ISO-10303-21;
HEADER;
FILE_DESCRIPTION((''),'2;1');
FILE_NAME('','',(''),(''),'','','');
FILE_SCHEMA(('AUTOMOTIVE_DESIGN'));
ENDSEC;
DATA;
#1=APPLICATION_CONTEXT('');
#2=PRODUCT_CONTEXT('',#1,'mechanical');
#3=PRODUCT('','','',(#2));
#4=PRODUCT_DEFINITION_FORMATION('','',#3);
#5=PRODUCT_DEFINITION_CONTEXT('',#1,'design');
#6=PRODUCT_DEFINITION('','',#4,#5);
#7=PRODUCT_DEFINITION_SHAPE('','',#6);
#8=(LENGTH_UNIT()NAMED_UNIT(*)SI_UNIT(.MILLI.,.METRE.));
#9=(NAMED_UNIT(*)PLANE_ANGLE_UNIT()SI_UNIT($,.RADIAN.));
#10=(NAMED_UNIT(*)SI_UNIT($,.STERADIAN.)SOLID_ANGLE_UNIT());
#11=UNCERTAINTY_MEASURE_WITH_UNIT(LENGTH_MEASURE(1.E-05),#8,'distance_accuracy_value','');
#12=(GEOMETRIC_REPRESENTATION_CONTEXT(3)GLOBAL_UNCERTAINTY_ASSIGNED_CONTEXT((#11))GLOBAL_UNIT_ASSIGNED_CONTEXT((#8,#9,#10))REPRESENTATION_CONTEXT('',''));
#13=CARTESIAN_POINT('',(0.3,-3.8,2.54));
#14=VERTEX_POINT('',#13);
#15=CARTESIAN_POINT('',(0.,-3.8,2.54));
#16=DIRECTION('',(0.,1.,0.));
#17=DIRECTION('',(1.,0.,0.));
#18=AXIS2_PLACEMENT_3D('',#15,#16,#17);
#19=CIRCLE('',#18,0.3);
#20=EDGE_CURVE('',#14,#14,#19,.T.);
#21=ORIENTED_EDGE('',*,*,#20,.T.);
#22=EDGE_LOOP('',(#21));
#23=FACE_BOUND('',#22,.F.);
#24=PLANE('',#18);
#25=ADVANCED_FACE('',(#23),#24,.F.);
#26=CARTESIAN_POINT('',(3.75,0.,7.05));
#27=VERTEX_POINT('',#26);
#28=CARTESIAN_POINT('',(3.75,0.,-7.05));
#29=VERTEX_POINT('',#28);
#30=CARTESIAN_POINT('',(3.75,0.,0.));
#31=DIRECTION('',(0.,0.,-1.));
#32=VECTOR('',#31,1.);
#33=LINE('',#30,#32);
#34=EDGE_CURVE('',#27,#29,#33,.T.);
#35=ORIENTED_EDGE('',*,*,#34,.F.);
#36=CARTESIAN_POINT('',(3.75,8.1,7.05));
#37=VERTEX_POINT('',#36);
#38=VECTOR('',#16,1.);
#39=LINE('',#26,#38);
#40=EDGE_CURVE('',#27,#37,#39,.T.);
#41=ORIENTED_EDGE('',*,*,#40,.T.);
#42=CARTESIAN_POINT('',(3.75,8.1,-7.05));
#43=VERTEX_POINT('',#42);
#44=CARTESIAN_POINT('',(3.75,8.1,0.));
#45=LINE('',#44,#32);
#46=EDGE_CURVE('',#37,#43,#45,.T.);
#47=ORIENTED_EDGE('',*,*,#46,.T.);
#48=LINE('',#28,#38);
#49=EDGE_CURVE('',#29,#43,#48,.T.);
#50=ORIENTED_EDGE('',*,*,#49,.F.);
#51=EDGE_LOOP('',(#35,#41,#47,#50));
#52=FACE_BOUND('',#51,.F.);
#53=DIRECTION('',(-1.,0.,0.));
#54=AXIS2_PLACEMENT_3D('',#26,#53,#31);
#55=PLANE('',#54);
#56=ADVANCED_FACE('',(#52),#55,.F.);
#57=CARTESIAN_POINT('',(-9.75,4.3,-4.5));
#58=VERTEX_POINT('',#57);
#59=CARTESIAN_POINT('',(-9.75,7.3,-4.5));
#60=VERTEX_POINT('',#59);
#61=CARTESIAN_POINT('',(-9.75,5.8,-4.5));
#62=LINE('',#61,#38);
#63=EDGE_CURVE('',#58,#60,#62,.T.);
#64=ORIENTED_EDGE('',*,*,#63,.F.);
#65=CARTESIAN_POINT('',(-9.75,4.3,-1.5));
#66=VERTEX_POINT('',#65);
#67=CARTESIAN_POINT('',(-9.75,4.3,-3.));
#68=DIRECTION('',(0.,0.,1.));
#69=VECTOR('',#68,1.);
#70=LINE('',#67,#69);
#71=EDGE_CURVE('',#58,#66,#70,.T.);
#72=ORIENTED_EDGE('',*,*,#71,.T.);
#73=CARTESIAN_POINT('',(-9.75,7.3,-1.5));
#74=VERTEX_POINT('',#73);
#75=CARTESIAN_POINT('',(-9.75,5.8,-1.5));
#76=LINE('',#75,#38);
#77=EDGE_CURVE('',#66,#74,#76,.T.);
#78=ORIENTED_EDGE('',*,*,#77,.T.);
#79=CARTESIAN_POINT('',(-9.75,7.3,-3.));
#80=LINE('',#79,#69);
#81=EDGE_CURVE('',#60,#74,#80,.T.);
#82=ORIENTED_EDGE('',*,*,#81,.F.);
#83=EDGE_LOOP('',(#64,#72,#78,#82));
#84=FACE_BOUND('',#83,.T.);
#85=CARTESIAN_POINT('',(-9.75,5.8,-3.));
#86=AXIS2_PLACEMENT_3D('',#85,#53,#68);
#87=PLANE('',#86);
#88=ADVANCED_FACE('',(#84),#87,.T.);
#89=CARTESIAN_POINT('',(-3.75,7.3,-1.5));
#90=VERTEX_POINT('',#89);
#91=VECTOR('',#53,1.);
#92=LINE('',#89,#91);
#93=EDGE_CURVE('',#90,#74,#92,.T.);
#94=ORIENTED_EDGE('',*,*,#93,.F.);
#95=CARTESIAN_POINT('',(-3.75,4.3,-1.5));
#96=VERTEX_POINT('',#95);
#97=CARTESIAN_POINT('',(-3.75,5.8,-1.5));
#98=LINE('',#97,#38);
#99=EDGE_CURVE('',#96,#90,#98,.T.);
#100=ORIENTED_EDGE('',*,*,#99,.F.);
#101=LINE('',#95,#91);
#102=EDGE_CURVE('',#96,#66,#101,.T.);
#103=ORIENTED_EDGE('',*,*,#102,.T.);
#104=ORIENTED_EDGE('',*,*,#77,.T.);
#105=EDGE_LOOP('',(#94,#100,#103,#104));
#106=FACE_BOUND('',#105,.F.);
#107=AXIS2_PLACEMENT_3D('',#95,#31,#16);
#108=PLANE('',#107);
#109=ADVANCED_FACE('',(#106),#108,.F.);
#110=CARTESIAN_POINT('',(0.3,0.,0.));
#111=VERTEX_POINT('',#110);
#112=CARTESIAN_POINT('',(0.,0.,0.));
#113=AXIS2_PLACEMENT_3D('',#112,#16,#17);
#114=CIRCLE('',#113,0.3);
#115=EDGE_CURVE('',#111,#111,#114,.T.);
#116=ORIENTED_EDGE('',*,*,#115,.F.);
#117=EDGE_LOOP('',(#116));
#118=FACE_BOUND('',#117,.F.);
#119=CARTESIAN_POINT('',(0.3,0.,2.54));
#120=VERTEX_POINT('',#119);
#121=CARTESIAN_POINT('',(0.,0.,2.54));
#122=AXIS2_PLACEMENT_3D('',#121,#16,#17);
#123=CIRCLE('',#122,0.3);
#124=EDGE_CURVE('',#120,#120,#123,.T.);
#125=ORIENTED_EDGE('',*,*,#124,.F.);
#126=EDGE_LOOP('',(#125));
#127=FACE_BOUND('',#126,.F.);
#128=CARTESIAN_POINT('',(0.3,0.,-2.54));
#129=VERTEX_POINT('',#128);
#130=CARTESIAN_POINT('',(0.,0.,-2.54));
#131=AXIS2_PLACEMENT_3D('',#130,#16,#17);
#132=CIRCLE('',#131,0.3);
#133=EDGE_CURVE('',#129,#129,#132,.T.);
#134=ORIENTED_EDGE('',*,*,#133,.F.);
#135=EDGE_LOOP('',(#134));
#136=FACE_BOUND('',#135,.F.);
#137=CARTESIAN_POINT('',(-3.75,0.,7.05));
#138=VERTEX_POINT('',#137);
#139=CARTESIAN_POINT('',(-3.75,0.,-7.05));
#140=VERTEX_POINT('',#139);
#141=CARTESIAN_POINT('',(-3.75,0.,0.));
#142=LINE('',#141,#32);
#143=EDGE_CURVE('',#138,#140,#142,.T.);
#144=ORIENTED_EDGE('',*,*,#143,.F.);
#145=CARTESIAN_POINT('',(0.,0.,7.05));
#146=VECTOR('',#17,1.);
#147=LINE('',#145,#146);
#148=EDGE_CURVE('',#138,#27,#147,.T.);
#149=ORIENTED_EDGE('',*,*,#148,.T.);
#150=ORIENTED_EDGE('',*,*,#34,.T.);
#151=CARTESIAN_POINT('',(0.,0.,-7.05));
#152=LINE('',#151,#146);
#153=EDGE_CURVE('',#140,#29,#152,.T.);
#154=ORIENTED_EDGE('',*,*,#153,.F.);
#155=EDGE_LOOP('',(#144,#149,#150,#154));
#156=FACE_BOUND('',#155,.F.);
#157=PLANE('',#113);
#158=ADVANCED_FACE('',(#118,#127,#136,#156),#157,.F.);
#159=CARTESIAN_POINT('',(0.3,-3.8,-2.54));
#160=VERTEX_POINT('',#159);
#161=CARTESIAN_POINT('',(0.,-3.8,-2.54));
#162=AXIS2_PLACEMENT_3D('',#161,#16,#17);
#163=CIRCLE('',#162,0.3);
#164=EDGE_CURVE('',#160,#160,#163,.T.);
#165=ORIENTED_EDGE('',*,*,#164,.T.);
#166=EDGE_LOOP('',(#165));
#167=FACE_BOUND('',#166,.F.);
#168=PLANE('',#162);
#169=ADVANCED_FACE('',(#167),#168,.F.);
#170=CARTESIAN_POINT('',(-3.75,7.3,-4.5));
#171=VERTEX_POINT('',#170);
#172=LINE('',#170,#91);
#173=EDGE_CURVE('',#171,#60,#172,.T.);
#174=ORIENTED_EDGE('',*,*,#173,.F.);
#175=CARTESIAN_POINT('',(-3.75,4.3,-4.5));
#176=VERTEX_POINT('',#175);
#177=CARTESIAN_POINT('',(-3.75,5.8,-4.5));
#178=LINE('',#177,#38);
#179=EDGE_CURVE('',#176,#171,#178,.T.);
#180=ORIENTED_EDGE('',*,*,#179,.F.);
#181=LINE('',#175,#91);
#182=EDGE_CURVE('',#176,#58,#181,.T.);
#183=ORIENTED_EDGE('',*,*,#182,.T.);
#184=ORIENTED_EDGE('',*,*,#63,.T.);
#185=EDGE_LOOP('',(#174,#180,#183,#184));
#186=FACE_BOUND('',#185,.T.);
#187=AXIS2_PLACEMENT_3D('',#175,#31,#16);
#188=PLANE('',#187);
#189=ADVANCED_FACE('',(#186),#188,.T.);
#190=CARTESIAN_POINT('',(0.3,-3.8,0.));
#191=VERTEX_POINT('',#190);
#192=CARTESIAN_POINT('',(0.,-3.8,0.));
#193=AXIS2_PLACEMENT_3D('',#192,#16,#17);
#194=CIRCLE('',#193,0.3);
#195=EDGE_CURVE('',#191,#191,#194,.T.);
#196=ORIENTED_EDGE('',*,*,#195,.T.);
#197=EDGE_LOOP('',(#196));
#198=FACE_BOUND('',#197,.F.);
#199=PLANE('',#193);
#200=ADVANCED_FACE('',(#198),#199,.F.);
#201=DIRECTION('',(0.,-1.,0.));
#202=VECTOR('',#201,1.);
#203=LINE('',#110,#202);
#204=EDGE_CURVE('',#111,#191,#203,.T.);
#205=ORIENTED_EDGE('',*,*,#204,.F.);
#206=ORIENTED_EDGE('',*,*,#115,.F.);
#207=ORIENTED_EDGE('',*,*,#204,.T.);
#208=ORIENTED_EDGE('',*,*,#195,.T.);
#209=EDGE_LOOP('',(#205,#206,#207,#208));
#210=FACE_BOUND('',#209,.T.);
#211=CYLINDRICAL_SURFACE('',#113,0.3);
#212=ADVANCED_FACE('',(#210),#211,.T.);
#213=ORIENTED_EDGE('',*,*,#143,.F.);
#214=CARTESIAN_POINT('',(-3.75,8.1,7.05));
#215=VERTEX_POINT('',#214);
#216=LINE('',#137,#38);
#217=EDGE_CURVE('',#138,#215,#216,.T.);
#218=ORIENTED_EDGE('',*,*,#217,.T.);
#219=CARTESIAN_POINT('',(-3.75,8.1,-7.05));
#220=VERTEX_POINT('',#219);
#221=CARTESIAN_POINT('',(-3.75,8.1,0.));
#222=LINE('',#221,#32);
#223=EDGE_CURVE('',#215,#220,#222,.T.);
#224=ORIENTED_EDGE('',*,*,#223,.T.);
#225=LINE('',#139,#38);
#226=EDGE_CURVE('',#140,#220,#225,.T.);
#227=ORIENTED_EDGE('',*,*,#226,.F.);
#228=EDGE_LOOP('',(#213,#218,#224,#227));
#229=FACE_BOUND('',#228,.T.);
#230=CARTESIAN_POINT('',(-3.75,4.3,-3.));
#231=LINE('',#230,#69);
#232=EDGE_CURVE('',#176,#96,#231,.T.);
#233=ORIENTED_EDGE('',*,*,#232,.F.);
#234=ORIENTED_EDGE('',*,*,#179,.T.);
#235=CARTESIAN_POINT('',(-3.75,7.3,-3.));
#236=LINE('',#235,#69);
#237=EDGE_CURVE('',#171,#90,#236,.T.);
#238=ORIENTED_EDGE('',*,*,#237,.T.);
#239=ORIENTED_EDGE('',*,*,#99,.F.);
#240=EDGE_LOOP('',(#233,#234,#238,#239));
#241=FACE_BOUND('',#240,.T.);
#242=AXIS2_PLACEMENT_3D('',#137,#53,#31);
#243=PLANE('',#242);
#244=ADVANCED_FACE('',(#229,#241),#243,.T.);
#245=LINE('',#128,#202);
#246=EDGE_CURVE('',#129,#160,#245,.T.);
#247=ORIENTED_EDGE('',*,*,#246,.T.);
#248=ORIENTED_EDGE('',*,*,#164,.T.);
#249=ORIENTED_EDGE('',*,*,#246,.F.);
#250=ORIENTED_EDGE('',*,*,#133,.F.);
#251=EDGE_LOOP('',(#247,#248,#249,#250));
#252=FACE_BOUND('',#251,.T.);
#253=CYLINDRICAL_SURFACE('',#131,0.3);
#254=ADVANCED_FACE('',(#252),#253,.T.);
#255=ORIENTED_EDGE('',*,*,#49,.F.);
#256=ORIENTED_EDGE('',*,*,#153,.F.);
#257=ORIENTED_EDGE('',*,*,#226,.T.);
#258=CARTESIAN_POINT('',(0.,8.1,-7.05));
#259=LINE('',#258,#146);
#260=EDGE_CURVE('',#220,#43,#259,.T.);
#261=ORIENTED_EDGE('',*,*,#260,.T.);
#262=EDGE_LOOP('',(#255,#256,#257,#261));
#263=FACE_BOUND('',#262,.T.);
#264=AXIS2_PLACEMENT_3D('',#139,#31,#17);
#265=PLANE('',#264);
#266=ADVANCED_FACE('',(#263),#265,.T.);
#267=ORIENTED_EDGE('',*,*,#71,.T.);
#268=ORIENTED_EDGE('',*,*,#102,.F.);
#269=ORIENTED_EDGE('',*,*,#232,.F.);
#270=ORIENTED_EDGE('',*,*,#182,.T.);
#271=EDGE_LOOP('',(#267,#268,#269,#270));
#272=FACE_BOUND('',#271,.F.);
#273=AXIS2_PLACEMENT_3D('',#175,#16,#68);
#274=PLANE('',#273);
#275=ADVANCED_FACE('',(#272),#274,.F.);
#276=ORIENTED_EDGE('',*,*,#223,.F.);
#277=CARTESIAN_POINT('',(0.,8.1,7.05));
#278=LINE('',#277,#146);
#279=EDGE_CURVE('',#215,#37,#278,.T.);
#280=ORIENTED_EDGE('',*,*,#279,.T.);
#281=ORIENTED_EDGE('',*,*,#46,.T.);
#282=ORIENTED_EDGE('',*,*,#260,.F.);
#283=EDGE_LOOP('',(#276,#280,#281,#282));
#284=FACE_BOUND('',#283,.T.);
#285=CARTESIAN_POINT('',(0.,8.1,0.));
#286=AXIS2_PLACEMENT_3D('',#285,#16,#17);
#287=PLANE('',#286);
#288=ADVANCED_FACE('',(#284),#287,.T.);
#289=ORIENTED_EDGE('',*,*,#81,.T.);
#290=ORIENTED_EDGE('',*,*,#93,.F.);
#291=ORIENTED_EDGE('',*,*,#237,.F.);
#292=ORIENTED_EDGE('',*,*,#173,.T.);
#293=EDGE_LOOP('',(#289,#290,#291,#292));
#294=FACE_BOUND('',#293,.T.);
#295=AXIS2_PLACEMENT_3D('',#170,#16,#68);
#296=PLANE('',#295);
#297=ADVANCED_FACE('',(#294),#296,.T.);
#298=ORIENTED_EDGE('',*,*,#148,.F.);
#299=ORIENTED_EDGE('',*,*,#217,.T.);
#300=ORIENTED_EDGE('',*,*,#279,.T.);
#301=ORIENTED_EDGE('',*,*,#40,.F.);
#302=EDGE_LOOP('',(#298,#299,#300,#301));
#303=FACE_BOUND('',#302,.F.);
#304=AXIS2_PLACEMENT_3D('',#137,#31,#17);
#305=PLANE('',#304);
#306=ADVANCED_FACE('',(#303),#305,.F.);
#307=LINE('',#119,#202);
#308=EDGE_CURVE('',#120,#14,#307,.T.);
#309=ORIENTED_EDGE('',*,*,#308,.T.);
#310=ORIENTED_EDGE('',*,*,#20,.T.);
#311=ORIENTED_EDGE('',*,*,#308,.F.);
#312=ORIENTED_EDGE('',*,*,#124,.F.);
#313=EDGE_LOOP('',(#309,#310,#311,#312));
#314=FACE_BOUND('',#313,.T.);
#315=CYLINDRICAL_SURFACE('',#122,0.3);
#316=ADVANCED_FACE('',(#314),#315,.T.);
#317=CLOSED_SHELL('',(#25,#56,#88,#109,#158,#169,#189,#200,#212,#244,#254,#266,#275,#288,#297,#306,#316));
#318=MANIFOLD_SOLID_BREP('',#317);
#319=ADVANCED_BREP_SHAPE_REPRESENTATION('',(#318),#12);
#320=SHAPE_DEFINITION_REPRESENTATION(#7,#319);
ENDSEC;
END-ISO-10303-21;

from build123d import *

# Parameters (mm, degrees)
SKETCH1_R             = 0.3
BOSS_EXTRUDE1_DEPTH   = 3.8
BOSS_EXTRUDE1_2_DEPTH = 3.8
BOSS_EXTRUDE1_3_DEPTH = 3.8
SKETCH2_W             = 7.5
SKETCH2_H             = 14.1
BOSS_EXTRUDE2_DEPTH   = 8.1
SKETCH3_W             = 3
SKETCH3_H             = 3
BOSS_EXTRUDE3_DEPTH   = 6


with BuildPart() as part:
    # Sketch1 → Boss-Extrude1 (new body)
    with BuildSketch(Plane(origin=(0, 0, 0), x_dir=(1, 0, 0), z_dir=(0, 1, 0))):
        Circle(SKETCH1_R)
    extrude(amount=-BOSS_EXTRUDE1_DEPTH)



with BuildPart() as body_2:
    # Sketch1 → Boss-Extrude1 2 (new body)
    with BuildSketch(Plane(origin=(0, 0, 0), x_dir=(1, 0, 0), z_dir=(0, 1, 0))):
        with Locations((0, -2.54)):
            Circle(SKETCH1_R)
    extrude(amount=-BOSS_EXTRUDE1_2_DEPTH)


with BuildPart() as body_3:
    # Sketch1 → Boss-Extrude1 3 (new body)
    with BuildSketch(Plane(origin=(0, 0, 0), x_dir=(1, 0, 0), z_dir=(0, 1, 0))):
        with Locations((0, 2.54)):
            Circle(SKETCH1_R)
    extrude(amount=-BOSS_EXTRUDE1_3_DEPTH)


with BuildPart() as part_1:
    add(part.part)

    add(body_2.part)  # Boss-Extrude2 merges body 2

    add(body_3.part)  # Boss-Extrude2 merges body 3
    # Sketch2 → Boss-Extrude2 (add)
    with BuildSketch(Plane(origin=(0, 0, 0), x_dir=(1, 0, 0), z_dir=(0, 1, 0))):
        Rectangle(SKETCH2_W, SKETCH2_H)
    extrude(amount=BOSS_EXTRUDE2_DEPTH)

    # Sketch3 → Boss-Extrude3 (add)
    with BuildSketch(Plane.ZY.offset(3.75)):
        with Locations((-3, 5.8)):
            Rectangle(SKETCH3_W, SKETCH3_H)
    extrude(amount=BOSS_EXTRUDE3_DEPTH)


solid = part_1.part
